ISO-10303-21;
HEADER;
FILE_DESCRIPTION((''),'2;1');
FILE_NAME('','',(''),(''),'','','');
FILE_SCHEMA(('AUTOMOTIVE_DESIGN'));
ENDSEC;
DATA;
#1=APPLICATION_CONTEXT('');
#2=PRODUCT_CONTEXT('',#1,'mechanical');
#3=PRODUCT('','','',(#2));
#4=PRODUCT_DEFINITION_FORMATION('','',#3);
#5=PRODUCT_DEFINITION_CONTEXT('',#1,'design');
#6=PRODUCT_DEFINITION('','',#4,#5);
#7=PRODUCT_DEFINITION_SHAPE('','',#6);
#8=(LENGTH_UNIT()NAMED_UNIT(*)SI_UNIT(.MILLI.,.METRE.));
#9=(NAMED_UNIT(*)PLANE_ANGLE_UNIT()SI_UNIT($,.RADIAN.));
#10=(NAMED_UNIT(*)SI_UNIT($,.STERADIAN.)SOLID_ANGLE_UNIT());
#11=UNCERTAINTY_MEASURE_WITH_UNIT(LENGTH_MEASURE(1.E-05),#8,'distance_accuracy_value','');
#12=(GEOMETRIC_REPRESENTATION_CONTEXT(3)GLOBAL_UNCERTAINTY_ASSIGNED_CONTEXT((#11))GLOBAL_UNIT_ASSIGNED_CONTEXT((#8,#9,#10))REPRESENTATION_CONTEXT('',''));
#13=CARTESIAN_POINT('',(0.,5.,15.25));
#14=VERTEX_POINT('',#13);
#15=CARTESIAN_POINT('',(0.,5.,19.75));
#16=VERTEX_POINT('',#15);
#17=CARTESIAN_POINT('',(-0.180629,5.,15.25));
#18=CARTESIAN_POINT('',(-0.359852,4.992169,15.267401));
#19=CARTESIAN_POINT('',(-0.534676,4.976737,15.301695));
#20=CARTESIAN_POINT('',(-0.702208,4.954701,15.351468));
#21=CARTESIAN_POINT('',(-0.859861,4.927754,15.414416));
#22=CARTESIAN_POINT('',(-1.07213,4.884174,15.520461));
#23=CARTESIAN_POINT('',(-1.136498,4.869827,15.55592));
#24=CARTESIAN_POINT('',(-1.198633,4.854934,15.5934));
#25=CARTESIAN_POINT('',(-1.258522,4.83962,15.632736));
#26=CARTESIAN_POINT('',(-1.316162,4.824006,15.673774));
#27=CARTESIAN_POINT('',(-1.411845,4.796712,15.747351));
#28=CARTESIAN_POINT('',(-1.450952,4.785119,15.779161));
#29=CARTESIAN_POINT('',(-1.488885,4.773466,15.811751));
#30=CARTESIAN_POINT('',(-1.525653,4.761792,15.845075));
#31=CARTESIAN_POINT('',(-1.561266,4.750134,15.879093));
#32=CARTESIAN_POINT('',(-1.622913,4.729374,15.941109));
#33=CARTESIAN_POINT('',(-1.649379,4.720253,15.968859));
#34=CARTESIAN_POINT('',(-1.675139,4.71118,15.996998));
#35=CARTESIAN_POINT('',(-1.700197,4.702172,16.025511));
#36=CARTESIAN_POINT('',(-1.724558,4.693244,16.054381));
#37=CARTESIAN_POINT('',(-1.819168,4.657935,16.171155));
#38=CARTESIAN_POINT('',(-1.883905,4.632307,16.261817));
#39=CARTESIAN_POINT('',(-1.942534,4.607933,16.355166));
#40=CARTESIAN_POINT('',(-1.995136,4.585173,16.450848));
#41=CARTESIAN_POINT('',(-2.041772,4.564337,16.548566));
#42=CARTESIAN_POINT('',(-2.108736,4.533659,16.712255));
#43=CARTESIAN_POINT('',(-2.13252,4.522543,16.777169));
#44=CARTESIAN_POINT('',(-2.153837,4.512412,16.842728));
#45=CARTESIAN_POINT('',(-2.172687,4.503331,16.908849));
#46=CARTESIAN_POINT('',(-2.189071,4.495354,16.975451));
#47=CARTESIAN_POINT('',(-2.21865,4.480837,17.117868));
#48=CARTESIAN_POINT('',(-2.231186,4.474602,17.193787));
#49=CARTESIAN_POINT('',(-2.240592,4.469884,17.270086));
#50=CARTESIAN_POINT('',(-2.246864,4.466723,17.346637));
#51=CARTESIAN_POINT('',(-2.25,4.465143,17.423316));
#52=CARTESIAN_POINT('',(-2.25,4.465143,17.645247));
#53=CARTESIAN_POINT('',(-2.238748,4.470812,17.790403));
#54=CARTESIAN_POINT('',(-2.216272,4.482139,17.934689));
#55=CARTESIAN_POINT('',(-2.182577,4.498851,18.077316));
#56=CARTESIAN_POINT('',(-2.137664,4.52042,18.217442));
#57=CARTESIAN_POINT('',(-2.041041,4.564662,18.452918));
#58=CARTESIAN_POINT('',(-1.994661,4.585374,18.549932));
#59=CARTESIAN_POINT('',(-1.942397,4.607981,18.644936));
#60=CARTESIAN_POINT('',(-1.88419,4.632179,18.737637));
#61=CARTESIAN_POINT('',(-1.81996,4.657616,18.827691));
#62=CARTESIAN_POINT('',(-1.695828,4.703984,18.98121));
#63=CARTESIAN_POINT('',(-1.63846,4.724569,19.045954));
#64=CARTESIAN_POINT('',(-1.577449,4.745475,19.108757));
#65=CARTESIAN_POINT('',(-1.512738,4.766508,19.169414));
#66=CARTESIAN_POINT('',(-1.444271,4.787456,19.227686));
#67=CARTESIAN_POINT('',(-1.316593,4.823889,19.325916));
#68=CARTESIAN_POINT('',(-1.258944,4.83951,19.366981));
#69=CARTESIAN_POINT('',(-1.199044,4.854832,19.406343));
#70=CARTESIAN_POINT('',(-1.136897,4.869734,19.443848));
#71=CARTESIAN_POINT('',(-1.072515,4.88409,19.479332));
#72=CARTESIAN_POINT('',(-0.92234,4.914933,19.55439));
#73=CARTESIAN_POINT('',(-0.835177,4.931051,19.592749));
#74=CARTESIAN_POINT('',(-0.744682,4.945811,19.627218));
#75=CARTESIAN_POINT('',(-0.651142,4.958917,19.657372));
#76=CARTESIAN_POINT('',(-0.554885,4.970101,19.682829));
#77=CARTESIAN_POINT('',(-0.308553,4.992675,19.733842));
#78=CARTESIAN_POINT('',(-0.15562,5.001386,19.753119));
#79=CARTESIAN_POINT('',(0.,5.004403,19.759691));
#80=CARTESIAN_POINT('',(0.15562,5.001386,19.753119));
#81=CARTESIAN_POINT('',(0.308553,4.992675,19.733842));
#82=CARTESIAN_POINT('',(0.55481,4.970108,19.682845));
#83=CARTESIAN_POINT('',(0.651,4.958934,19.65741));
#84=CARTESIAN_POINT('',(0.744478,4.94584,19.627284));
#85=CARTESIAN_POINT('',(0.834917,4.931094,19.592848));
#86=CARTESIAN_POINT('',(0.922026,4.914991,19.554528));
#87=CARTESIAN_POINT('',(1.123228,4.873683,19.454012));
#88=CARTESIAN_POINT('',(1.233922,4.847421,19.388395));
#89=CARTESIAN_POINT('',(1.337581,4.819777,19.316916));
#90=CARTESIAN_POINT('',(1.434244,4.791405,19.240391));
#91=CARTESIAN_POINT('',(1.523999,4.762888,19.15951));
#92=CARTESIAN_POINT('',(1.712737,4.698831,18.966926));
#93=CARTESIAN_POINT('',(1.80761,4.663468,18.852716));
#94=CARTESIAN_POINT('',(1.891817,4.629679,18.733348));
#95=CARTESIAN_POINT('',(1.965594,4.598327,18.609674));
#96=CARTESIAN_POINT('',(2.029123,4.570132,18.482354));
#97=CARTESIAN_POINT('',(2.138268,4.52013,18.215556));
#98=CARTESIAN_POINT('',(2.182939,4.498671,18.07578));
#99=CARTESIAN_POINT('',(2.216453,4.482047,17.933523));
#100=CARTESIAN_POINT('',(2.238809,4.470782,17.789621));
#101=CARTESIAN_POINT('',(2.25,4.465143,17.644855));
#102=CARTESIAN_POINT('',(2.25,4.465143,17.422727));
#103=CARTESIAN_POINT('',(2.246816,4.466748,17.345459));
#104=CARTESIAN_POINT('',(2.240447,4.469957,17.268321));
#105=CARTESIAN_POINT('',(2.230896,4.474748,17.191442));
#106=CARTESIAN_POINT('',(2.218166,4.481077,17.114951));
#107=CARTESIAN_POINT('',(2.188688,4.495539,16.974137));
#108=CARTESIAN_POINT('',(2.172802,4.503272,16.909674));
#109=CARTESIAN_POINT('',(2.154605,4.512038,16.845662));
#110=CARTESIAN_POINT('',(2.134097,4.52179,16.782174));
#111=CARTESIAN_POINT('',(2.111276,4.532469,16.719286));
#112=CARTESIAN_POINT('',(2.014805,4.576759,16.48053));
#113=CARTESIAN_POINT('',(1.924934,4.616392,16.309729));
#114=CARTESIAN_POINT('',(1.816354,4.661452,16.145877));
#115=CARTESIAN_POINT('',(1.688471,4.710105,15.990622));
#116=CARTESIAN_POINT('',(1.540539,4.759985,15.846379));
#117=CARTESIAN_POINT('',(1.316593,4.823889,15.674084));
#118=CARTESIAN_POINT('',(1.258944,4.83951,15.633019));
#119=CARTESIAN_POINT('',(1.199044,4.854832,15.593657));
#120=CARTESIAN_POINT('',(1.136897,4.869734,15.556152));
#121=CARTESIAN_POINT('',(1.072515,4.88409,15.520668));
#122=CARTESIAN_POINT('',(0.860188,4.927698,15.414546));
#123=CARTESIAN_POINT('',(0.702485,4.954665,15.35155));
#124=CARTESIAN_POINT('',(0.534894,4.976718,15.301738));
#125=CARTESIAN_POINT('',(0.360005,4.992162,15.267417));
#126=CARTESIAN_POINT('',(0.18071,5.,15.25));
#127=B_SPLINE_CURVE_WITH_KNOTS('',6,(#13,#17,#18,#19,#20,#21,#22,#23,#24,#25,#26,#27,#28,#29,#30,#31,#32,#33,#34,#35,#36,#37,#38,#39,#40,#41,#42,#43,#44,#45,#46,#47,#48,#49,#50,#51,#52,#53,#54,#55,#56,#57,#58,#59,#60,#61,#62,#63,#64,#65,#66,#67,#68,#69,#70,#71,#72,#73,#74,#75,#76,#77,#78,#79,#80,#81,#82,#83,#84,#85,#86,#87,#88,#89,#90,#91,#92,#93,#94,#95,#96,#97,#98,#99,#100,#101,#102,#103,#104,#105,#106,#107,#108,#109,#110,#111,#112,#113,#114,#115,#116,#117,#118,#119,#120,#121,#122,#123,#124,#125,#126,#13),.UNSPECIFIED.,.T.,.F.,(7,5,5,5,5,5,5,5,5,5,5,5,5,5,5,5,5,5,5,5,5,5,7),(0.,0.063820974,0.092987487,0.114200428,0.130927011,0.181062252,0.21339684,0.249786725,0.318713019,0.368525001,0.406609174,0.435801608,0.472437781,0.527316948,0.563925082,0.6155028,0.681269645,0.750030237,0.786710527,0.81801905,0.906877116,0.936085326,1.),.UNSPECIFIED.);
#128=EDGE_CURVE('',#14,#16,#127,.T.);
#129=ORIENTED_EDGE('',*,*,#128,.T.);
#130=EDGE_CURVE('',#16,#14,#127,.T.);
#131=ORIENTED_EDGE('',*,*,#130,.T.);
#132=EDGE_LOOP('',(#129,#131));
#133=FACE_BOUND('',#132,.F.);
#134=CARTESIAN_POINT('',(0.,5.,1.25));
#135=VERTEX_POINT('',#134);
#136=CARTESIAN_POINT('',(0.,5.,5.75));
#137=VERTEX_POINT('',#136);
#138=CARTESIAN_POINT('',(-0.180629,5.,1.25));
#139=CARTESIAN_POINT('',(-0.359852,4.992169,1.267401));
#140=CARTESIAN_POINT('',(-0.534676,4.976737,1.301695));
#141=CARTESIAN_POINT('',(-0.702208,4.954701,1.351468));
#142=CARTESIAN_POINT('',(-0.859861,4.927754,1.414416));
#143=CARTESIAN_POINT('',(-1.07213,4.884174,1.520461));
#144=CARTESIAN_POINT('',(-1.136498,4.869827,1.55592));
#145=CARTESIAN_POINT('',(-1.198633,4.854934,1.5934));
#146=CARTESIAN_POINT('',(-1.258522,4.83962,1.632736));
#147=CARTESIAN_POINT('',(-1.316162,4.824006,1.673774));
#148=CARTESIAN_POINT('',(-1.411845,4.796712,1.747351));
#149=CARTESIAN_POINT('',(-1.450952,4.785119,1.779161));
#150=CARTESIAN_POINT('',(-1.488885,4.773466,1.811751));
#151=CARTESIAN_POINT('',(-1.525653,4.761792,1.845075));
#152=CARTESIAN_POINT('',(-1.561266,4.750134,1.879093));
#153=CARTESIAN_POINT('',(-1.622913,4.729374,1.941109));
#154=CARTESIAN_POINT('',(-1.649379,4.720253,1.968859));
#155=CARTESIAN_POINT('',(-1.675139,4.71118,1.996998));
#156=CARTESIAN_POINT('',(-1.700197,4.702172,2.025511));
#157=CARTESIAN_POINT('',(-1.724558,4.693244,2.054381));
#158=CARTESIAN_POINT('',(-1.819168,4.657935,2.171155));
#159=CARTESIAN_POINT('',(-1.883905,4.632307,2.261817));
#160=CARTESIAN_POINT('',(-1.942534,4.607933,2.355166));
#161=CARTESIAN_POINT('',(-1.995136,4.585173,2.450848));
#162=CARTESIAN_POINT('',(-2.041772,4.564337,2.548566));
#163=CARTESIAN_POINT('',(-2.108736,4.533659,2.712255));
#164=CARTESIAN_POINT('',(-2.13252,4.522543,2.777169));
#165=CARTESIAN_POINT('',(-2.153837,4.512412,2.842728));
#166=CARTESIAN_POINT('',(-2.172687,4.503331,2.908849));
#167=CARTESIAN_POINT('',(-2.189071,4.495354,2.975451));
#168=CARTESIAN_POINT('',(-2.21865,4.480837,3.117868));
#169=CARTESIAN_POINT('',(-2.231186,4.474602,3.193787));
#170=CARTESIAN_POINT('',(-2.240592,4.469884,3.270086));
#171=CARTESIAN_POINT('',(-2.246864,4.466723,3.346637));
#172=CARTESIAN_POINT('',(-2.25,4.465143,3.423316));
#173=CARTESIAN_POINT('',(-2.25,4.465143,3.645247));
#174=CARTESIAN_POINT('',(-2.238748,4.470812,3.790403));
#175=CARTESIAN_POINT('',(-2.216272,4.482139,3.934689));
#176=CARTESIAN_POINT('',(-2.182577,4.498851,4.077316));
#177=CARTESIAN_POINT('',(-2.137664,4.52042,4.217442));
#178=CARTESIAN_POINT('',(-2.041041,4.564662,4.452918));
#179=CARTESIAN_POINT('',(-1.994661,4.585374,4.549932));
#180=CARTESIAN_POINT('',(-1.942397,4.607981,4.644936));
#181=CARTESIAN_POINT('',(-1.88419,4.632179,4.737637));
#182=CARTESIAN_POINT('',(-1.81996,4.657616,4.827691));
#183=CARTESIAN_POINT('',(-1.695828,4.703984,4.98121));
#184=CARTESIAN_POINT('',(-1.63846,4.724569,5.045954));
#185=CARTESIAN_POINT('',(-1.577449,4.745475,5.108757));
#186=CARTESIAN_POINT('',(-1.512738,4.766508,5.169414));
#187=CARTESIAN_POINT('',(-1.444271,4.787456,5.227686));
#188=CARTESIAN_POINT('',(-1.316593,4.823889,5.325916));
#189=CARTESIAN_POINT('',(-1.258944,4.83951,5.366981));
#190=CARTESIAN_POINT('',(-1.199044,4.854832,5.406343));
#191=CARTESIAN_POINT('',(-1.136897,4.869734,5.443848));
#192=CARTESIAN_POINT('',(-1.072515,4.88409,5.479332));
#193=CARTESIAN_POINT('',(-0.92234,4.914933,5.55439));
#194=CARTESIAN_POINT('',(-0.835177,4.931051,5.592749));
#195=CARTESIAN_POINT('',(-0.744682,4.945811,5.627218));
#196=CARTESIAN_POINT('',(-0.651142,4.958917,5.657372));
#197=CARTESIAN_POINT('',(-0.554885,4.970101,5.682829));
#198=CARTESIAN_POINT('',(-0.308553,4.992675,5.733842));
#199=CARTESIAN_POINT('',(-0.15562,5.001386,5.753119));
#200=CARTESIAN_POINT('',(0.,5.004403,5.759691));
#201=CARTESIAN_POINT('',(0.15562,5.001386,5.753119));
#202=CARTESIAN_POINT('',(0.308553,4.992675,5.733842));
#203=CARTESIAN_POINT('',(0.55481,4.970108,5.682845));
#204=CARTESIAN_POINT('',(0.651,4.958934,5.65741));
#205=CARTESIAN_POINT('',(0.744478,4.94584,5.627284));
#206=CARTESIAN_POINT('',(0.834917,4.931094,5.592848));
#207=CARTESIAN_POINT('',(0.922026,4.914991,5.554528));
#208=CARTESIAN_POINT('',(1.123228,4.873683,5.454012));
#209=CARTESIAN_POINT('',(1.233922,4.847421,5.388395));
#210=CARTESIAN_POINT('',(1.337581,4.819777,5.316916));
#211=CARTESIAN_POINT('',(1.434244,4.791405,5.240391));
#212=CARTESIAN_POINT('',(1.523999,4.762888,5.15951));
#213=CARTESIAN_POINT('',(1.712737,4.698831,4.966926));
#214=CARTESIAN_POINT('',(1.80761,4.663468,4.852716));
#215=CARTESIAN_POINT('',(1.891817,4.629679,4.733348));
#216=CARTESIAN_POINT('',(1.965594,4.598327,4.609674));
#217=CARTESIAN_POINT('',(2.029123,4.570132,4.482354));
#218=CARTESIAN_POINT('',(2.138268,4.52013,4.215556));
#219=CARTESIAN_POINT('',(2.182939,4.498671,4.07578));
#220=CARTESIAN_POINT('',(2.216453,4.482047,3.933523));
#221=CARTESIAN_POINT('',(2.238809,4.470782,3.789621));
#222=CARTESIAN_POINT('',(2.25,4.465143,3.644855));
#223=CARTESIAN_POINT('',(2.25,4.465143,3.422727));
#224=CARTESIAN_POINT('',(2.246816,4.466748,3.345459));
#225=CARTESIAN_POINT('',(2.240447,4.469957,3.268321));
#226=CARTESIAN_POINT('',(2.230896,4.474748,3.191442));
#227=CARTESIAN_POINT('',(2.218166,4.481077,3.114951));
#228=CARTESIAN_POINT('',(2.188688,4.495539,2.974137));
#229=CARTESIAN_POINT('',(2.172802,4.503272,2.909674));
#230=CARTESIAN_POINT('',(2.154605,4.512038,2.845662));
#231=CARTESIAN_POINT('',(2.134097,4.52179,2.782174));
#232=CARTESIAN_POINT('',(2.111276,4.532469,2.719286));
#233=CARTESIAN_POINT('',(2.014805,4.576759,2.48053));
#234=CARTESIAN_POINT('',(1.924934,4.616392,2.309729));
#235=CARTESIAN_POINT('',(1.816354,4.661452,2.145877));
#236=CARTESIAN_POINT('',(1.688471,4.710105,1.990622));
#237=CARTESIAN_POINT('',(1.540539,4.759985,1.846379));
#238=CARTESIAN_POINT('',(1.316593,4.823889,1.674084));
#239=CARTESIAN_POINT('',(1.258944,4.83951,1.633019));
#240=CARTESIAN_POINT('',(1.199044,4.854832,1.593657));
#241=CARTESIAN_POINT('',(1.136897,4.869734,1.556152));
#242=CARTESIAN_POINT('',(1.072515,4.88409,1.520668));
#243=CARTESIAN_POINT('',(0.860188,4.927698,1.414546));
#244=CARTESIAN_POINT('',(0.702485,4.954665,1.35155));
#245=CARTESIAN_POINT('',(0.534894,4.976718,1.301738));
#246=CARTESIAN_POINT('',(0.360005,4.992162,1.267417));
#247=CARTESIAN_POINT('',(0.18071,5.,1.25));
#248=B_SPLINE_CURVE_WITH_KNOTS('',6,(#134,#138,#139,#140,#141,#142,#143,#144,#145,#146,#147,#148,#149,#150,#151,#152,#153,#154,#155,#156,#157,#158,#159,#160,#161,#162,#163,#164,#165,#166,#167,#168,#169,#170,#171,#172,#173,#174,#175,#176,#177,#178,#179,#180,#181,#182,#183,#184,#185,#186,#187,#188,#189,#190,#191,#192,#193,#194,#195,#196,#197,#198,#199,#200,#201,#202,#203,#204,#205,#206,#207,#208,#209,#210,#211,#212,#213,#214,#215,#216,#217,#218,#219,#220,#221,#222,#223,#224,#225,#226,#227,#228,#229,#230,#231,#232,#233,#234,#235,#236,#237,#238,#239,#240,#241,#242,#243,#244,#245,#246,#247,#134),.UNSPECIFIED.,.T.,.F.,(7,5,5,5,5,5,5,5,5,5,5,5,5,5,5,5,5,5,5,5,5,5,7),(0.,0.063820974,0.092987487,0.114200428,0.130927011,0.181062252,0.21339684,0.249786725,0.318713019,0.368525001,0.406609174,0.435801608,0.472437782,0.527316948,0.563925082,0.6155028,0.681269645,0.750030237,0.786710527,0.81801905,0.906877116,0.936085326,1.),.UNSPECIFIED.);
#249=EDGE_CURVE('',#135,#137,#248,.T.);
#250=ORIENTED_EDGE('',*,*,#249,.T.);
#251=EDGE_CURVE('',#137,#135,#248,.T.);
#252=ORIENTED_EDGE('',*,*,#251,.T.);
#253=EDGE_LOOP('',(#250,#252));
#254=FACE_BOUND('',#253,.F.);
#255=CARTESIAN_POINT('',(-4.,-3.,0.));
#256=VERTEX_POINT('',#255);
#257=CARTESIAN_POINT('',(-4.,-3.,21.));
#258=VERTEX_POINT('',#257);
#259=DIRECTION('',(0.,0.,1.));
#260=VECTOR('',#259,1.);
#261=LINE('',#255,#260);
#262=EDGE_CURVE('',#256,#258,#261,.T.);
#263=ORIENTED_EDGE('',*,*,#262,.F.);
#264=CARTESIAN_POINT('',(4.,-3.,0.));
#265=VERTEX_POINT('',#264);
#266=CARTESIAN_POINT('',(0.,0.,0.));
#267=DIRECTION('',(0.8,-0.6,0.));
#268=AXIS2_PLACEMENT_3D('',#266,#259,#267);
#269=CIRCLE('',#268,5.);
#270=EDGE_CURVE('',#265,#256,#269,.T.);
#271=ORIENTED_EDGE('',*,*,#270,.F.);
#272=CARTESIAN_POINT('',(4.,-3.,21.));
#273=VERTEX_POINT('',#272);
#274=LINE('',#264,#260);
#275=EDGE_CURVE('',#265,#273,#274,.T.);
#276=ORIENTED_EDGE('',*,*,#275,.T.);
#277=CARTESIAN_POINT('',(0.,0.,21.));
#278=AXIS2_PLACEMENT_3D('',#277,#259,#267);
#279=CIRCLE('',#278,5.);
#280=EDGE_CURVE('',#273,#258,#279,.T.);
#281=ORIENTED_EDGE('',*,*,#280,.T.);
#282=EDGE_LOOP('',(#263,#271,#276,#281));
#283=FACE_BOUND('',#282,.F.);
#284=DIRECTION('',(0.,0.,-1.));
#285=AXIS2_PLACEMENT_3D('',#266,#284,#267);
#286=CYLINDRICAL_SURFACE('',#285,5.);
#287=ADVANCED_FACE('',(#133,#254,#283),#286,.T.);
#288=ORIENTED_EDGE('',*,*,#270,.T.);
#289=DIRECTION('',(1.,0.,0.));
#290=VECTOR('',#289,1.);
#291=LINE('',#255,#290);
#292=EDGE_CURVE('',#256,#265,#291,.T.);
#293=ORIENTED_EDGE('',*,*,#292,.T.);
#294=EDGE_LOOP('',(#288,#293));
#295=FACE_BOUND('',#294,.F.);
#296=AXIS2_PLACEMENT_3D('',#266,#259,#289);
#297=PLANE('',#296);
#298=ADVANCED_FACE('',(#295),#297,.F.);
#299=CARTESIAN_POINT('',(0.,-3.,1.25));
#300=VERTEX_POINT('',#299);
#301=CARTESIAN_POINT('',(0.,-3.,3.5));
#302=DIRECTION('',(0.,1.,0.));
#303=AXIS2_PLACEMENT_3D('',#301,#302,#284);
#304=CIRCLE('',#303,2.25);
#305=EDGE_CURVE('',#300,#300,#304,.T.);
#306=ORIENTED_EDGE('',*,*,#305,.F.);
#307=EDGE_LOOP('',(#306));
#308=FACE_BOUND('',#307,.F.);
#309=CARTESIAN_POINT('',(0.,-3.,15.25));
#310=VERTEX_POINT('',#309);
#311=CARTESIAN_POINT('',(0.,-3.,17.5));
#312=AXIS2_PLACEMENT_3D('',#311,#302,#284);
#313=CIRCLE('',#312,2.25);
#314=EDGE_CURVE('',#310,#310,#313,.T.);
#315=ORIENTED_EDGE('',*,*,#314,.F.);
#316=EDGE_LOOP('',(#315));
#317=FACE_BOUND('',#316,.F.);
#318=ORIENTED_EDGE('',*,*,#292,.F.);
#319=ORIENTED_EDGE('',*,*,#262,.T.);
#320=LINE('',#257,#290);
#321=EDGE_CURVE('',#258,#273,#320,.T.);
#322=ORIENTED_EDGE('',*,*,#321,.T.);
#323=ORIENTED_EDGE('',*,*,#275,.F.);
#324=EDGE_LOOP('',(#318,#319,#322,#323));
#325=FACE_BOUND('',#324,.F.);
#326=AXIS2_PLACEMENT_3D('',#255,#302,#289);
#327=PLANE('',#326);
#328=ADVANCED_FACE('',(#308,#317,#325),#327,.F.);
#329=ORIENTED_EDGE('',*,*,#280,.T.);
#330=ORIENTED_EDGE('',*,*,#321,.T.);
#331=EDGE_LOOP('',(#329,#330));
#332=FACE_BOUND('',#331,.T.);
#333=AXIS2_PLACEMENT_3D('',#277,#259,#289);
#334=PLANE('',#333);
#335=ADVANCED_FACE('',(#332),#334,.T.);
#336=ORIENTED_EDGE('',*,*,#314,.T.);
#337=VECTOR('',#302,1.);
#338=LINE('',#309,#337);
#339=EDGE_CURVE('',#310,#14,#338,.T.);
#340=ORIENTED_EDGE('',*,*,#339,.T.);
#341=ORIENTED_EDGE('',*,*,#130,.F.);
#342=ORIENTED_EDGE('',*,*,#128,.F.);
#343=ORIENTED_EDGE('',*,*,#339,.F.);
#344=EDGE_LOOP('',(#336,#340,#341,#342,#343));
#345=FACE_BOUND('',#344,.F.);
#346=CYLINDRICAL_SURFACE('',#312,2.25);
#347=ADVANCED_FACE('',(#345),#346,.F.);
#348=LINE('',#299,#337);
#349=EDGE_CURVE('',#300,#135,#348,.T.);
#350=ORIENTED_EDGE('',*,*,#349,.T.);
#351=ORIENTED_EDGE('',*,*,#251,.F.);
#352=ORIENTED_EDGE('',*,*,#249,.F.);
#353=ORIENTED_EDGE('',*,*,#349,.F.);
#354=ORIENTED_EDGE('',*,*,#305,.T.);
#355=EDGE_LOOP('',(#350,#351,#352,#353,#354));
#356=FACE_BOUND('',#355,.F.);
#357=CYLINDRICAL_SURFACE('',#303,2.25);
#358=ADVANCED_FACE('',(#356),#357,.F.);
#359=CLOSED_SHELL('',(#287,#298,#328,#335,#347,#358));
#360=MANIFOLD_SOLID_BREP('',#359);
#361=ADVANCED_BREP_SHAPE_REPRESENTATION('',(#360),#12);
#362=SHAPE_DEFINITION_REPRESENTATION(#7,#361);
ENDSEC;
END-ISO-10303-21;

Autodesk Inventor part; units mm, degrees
ref_plane "YZ Plane" through (0, 0, 0) normal (1, 0, 0) x (0, 1, 0)
ref_plane "XZ Plane" through (0, 0, 0) normal (0, 1, 0) x (-1, 0, 0)
ref_plane "XY Plane" through (0, 0, 0) normal (0, 0, 1) x (1, 0, 0)
sketch "Sketch1" plane through (0, 0, 0) normal (0, 0, 1) x (1, 0, 0)
  arc A0 (4, -3) -> (-4, -3) centre (0, 0) ccw
  line L0 (-4, -3) -> (4, -3)
  dimension "d0" = 10
  dimension "d1" = 8
extrude "Extrusion1" add sketch "Sketch1" along normal blind 21
sketch "Sketch2" plane through (-4, -3, 0) normal (0, -1, 0) x (1, 0, 0)
  line L0 (8, 0) -> (0, 0) projected
  line L1 (8, 0) -> (8, 21) projected
  point P0 (4, 0)
  point P1 (4, 17.5)
  point P2 (4, 3.5)
  dimension "d6" = 4
  dimension "d14" = 14
  dimension "d15" = 3.5
hole "Hole1" at (0, -3, 17.5) at (0, -3, 3.5) direction (0, 1, 0) diameter 4.5 depth 8 tip angle 118
properties part number "ExtruderQuickReleaseTensionDowel" material "ABS Plastic"
